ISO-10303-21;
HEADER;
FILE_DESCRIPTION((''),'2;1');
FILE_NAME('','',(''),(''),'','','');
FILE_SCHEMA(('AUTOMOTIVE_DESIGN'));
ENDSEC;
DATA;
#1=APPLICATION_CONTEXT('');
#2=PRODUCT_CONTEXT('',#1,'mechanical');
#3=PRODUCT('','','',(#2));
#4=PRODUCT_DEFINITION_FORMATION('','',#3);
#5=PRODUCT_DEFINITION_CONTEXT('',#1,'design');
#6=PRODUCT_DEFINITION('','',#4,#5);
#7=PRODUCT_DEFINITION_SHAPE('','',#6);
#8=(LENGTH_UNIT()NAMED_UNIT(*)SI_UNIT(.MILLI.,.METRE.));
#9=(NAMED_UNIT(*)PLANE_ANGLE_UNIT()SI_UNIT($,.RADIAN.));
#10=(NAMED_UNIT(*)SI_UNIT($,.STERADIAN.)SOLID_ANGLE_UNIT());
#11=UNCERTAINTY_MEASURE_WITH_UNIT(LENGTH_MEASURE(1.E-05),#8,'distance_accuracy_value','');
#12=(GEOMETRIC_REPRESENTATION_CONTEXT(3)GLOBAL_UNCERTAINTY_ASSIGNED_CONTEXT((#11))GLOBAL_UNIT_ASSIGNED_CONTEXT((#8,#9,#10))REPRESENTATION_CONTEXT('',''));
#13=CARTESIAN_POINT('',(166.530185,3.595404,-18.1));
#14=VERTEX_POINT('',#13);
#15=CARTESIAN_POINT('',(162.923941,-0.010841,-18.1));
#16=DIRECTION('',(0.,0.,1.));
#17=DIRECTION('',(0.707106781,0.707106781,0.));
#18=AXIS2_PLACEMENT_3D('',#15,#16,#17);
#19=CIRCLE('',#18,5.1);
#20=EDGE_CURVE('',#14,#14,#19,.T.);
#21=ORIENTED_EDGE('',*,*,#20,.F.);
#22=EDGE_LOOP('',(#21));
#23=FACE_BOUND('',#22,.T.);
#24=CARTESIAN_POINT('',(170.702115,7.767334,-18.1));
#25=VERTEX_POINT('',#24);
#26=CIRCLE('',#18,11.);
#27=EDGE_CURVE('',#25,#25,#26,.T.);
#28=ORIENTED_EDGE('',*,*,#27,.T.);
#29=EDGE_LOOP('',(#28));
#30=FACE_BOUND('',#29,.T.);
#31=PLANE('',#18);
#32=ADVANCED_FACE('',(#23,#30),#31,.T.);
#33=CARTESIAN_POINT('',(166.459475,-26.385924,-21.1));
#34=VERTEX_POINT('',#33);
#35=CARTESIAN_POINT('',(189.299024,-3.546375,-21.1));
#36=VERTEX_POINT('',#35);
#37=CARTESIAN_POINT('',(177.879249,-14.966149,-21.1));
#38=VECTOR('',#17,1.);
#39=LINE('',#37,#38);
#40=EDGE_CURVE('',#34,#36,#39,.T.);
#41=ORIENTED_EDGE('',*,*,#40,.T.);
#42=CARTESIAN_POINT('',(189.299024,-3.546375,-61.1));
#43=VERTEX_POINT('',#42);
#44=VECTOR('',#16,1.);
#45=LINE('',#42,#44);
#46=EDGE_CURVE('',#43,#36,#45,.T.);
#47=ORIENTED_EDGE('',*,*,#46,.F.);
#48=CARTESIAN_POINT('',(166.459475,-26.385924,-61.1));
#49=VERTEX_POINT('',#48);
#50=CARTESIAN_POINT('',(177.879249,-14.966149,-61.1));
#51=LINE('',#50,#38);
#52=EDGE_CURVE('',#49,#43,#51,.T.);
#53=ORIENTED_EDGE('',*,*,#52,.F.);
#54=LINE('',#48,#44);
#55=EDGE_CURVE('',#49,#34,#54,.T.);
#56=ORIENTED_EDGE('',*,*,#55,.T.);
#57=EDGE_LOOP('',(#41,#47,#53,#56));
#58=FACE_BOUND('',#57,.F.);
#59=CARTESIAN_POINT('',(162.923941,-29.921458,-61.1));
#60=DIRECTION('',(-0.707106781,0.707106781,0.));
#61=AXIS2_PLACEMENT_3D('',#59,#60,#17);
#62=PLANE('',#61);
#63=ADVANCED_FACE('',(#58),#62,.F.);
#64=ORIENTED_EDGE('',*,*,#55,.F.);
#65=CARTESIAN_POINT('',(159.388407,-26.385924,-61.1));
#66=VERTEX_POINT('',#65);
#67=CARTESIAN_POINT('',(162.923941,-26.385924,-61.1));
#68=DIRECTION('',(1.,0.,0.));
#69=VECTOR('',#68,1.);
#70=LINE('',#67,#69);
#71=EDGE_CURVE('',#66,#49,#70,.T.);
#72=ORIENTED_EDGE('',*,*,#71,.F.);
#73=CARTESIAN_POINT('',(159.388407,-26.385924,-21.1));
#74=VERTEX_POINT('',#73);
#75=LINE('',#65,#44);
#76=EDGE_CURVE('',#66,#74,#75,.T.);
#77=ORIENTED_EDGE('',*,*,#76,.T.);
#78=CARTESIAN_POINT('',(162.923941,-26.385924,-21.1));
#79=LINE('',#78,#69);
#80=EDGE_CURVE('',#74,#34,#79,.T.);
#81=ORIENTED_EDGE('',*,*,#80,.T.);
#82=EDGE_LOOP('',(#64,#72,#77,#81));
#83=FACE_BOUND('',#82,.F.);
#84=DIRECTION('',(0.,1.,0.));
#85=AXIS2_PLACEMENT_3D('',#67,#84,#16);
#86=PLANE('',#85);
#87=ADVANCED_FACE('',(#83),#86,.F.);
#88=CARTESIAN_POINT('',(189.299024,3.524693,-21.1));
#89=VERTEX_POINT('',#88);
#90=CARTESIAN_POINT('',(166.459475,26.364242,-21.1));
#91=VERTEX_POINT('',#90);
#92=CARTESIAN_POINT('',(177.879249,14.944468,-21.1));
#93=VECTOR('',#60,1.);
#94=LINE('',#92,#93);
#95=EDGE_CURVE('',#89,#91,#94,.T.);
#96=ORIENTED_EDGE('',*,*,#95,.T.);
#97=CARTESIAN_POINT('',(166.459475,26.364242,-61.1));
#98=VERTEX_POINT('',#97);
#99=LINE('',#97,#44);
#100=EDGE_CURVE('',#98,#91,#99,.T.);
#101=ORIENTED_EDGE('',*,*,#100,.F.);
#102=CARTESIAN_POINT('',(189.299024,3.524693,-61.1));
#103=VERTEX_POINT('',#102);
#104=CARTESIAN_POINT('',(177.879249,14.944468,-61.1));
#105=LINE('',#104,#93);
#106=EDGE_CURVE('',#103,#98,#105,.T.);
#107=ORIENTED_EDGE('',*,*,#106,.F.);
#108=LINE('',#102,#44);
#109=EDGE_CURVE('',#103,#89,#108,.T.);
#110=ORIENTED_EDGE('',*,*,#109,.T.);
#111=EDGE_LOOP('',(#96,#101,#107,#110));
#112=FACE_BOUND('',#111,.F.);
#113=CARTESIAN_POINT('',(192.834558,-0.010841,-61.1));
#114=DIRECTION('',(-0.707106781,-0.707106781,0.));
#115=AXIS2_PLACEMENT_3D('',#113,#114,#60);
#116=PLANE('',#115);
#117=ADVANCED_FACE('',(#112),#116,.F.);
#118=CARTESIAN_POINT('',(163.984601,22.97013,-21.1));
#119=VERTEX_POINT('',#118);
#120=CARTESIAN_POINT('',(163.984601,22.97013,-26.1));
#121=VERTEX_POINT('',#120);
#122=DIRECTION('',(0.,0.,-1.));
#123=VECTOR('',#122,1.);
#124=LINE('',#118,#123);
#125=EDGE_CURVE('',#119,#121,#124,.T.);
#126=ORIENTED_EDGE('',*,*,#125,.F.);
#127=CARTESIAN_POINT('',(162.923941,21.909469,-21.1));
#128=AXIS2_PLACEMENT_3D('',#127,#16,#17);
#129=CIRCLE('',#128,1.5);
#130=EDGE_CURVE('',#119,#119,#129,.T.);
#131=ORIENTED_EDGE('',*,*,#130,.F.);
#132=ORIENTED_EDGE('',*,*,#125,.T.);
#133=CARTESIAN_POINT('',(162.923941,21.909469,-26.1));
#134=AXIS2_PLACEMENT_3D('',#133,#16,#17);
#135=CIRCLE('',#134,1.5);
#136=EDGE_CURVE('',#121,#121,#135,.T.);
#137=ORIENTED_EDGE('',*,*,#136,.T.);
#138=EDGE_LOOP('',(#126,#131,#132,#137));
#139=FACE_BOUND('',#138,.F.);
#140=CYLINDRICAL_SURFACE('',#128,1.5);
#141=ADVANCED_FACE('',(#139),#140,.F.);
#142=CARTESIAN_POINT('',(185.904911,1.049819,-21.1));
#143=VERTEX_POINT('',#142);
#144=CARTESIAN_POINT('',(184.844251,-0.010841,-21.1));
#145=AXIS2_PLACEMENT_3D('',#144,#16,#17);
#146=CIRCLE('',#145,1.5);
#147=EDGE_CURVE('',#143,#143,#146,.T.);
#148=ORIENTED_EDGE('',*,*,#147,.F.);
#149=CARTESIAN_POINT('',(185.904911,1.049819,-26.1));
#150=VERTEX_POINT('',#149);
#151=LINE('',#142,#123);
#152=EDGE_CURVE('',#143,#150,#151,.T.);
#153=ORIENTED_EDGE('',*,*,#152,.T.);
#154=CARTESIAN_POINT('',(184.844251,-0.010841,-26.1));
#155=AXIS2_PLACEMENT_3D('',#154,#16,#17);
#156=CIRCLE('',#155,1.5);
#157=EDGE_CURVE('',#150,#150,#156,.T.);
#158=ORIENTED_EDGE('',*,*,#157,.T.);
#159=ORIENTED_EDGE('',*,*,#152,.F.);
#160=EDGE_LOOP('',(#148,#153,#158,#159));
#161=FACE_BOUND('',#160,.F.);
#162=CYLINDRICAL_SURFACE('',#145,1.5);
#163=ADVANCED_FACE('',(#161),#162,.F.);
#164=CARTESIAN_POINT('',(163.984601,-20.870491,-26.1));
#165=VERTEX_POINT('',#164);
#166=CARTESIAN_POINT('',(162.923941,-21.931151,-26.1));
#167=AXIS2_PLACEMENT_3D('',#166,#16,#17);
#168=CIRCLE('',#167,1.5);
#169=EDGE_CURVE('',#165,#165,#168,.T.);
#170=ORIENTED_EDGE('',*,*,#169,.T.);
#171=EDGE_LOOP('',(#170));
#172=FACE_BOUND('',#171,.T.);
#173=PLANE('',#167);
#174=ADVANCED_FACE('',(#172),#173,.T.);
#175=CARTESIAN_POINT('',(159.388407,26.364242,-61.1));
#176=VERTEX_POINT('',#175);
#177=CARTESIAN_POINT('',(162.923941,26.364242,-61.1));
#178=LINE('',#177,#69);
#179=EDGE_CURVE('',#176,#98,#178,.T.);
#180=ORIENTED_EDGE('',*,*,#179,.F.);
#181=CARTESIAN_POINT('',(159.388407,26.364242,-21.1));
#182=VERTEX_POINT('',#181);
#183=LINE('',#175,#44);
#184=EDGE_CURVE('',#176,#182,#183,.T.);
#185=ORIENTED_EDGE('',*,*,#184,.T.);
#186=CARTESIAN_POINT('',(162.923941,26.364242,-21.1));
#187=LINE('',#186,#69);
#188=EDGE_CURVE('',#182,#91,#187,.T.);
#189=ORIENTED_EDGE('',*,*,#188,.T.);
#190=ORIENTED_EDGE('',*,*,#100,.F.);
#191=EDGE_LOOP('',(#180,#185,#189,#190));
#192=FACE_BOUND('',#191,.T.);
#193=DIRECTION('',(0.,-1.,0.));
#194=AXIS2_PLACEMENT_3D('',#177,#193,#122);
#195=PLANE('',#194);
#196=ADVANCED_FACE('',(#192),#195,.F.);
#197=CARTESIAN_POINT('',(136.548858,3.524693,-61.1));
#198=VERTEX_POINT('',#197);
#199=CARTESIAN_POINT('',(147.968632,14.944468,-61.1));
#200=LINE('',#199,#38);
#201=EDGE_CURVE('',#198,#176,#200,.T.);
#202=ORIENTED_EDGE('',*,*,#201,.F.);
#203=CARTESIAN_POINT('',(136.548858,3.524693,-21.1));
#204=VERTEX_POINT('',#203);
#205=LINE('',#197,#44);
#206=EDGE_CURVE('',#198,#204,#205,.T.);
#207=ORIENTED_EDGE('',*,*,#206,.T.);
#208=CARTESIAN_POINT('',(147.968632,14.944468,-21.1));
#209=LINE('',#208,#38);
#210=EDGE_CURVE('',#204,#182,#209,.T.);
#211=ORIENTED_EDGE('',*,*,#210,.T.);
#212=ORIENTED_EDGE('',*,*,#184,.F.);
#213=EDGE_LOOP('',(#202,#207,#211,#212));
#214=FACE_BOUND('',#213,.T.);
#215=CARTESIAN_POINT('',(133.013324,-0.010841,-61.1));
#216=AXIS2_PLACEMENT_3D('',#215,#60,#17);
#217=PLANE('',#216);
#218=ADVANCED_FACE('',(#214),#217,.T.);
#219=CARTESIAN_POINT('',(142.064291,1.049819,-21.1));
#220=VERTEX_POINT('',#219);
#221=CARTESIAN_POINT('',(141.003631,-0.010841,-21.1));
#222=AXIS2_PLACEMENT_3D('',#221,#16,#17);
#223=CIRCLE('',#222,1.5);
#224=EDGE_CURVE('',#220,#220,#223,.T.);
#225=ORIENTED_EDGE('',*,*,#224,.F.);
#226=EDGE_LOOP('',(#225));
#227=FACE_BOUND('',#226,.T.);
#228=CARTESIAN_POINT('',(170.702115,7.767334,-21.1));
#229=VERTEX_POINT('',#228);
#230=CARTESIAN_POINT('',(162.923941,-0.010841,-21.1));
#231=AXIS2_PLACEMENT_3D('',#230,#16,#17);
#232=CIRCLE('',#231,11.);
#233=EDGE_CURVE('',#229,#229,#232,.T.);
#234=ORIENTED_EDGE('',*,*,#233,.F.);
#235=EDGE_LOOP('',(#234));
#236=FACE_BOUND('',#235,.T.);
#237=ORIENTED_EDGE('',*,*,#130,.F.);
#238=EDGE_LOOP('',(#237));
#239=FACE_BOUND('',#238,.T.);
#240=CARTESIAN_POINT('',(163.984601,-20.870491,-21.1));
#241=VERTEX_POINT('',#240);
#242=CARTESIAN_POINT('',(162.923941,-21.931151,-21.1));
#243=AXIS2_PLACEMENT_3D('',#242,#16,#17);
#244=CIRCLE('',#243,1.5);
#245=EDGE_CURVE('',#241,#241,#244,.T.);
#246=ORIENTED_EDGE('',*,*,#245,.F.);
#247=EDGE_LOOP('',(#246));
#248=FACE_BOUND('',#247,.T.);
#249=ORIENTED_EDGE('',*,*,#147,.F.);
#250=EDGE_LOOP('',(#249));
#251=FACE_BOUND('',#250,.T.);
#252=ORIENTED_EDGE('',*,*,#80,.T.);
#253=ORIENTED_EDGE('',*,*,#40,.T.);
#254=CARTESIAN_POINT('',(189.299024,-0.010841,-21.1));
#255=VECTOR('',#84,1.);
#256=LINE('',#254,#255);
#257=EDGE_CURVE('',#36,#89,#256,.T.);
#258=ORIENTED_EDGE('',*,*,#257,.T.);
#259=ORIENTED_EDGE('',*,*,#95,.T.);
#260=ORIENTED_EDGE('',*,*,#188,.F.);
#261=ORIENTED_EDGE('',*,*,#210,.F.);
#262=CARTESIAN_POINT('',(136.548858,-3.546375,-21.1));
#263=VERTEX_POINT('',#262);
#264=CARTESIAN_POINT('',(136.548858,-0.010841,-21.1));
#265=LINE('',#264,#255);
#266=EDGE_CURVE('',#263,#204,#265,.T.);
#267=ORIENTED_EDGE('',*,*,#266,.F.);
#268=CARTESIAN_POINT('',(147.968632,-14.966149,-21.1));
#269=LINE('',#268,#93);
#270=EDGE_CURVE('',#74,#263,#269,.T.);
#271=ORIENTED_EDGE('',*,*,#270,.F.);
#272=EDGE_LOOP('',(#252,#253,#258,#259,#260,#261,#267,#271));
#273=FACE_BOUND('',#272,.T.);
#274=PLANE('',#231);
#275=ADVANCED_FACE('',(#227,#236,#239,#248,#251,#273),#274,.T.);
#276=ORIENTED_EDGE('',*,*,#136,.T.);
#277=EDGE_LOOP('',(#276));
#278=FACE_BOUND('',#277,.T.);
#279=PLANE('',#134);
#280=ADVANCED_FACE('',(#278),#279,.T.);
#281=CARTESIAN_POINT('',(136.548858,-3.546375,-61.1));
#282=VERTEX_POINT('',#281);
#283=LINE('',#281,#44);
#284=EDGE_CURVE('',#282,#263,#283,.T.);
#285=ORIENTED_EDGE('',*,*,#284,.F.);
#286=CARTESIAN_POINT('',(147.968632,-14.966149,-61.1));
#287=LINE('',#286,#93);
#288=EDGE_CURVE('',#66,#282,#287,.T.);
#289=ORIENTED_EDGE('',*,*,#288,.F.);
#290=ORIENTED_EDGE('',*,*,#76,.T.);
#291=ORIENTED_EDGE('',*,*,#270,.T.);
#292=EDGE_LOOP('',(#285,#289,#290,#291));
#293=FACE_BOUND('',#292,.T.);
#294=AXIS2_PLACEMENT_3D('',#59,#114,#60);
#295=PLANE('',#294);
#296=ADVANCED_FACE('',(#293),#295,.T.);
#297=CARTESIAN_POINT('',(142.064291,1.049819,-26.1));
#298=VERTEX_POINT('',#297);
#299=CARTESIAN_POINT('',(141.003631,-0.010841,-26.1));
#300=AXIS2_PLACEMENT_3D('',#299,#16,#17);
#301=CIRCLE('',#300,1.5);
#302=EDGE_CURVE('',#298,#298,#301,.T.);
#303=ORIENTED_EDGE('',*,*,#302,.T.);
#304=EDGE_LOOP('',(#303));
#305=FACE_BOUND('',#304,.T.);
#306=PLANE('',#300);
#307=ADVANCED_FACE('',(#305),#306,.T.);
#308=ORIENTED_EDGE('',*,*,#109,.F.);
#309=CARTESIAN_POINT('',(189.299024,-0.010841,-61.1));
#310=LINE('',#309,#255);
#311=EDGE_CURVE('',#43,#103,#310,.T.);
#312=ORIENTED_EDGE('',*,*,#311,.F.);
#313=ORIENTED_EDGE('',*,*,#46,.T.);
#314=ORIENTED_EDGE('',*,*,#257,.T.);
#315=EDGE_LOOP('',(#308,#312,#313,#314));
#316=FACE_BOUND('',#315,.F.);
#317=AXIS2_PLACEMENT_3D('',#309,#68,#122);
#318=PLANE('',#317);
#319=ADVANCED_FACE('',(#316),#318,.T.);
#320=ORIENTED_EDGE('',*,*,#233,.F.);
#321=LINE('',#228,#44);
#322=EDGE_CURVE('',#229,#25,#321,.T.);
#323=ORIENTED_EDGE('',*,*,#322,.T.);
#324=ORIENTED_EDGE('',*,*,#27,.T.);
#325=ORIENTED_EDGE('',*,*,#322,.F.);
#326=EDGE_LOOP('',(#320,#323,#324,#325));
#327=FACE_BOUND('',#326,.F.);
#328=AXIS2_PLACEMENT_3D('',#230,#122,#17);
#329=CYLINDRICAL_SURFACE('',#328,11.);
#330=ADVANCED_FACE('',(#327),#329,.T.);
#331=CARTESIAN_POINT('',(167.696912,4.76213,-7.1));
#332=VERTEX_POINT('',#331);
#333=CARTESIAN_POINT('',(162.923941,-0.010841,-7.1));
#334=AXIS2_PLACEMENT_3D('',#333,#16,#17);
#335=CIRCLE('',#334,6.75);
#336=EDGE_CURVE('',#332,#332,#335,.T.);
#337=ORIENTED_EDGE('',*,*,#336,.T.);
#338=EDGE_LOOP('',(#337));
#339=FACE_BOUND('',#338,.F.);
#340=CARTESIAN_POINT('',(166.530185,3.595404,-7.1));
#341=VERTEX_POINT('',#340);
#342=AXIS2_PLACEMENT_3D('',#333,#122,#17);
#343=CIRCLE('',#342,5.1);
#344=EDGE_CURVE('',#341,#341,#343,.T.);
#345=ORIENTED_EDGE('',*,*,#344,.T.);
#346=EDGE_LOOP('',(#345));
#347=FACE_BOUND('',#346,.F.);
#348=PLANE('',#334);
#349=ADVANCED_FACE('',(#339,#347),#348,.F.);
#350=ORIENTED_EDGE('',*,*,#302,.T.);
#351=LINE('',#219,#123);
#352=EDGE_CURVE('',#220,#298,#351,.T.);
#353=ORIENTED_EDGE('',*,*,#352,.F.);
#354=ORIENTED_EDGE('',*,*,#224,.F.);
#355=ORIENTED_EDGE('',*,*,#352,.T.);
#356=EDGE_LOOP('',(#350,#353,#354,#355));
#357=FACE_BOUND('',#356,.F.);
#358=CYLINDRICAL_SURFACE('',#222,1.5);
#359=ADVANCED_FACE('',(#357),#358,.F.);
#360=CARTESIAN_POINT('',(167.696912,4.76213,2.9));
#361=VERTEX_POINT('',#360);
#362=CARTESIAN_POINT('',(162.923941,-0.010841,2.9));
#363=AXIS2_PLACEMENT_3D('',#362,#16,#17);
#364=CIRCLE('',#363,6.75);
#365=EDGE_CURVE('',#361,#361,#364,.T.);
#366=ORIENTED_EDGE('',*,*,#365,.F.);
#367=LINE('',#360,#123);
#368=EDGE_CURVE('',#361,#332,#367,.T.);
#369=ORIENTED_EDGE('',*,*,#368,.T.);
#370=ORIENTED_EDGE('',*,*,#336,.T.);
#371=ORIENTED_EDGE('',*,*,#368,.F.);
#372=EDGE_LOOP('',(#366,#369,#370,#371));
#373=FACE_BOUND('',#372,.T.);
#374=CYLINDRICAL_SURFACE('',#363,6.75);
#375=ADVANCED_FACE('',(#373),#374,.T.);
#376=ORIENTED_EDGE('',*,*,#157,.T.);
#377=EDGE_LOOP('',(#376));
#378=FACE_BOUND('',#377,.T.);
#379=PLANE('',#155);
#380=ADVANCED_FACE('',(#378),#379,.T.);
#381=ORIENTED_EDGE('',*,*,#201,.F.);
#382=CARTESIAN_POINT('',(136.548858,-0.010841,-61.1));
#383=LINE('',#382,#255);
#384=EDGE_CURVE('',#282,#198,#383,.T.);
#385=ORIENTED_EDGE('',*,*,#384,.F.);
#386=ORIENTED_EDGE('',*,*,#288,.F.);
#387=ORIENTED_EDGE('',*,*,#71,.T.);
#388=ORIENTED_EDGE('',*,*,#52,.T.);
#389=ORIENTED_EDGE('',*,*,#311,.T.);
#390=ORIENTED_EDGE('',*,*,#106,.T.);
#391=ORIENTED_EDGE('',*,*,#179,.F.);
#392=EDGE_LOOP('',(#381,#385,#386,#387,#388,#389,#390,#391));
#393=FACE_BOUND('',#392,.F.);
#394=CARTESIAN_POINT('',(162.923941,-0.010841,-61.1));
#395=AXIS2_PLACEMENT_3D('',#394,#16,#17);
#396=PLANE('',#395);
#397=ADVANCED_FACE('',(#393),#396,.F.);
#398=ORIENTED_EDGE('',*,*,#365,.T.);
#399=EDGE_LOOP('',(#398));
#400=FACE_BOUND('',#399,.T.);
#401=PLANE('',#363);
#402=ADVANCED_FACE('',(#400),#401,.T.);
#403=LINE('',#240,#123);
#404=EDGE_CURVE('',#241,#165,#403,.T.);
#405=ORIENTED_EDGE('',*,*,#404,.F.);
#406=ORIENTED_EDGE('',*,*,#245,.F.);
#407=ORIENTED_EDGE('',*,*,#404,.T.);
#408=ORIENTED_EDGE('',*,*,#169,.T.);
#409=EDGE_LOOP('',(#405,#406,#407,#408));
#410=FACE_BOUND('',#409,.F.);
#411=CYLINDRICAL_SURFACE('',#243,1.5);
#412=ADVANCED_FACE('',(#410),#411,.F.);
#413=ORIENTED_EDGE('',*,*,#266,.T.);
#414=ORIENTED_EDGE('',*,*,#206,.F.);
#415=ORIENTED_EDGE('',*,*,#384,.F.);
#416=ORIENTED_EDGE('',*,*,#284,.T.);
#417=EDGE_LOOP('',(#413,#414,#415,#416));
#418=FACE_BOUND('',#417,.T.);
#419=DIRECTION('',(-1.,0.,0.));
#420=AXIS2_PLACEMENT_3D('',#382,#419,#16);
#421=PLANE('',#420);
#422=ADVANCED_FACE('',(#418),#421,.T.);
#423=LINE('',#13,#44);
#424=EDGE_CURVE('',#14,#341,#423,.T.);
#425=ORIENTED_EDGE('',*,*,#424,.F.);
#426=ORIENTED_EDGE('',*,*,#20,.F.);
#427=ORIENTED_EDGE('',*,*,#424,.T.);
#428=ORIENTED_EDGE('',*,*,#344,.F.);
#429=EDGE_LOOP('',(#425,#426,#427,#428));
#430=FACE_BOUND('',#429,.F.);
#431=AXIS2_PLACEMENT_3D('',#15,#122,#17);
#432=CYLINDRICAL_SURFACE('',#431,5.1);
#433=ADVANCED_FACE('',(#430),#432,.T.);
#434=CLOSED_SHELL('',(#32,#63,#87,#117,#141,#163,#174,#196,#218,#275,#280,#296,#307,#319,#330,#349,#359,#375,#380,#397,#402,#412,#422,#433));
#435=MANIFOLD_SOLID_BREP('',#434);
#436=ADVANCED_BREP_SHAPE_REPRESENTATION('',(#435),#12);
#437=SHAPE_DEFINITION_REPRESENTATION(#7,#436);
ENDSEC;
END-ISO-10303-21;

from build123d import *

# Parameters (mm, degrees)
SKETCH076_W             = 42.3
SKETCH076_H             = 42.3
PAD024_DEPTH            = 40
SKETCH075_R             = 11
PAD025_DEPTH            = 3
SKETCH077_R             = 5.1
PAD026_DEPTH            = 21
SKETCH079_R             = 1.5
POCKET047_DEPTH         = 5
CHAMFER008_SIZE         = 5
SKETCH080_R             = 6.75
PAD027_DEPTH            = 10
BODY017_PLACEMENT_ANGLE = 45


with BuildPart() as part:
    # Sketch076 → Pad024 (new body)
    with BuildSketch(Plane.XY):
        Rectangle(SKETCH076_W, SKETCH076_H)
    extrude(amount=PAD024_DEPTH)

    # Sketch075 (on Face6 of Pad024) → Pad025 (join)
    with BuildSketch(Plane.XY.offset(40)):
        Circle(SKETCH075_R)
    extrude(amount=PAD025_DEPTH)

    # Sketch077 (on Face8 of Pad025) → Pad026 (join)
    with BuildSketch(Plane.XY.offset(43)):
        Circle(SKETCH077_R)
    extrude(amount=PAD026_DEPTH)

    # Sketch079 (on Face5 of Pad026) → Pocket047 (cut)
    with BuildSketch(Plane.XY.offset(40)):
        with Locations((-15.5, 15.5)):
            Circle(SKETCH079_R)
        with Locations((15.5, 15.5)):
            Circle(SKETCH079_R)
        with Locations((15.5, -15.5)):
            Circle(SKETCH079_R)
        with Locations((-15.5, -15.5)):
            Circle(SKETCH079_R)
    extrude(amount=-POCKET047_DEPTH, mode=Mode.SUBTRACT)

    # Chamfer008
    chamfer008_edges = [part.edges().sort_by_distance(p)[0] for p in [
        (21.15, 21.15, 20),
        (21.15, -21.15, 20),
        (-21.15, 21.15, 20),
        (-21.15, -21.15, 20),
    ]]
    chamfer(chamfer008_edges, length=CHAMFER008_SIZE)

    # Sketch080 (on Face22 of Chamfer008) → Pad027 (join)
    with BuildSketch(Plane.XY.offset(64)):
        Circle(SKETCH080_R)
    extrude(amount=-PAD027_DEPTH)


with BuildPart() as part_1:
    # Body017 placement: moved
    add(part.part.moved(Location((162.9239407719, -0.0108408296, -61.1))).rotate(Axis((162.9239407719, -0.0108408296, -61.1), (0, 0, 1)), BODY017_PLACEMENT_ANGLE))


solid = part_1.part
